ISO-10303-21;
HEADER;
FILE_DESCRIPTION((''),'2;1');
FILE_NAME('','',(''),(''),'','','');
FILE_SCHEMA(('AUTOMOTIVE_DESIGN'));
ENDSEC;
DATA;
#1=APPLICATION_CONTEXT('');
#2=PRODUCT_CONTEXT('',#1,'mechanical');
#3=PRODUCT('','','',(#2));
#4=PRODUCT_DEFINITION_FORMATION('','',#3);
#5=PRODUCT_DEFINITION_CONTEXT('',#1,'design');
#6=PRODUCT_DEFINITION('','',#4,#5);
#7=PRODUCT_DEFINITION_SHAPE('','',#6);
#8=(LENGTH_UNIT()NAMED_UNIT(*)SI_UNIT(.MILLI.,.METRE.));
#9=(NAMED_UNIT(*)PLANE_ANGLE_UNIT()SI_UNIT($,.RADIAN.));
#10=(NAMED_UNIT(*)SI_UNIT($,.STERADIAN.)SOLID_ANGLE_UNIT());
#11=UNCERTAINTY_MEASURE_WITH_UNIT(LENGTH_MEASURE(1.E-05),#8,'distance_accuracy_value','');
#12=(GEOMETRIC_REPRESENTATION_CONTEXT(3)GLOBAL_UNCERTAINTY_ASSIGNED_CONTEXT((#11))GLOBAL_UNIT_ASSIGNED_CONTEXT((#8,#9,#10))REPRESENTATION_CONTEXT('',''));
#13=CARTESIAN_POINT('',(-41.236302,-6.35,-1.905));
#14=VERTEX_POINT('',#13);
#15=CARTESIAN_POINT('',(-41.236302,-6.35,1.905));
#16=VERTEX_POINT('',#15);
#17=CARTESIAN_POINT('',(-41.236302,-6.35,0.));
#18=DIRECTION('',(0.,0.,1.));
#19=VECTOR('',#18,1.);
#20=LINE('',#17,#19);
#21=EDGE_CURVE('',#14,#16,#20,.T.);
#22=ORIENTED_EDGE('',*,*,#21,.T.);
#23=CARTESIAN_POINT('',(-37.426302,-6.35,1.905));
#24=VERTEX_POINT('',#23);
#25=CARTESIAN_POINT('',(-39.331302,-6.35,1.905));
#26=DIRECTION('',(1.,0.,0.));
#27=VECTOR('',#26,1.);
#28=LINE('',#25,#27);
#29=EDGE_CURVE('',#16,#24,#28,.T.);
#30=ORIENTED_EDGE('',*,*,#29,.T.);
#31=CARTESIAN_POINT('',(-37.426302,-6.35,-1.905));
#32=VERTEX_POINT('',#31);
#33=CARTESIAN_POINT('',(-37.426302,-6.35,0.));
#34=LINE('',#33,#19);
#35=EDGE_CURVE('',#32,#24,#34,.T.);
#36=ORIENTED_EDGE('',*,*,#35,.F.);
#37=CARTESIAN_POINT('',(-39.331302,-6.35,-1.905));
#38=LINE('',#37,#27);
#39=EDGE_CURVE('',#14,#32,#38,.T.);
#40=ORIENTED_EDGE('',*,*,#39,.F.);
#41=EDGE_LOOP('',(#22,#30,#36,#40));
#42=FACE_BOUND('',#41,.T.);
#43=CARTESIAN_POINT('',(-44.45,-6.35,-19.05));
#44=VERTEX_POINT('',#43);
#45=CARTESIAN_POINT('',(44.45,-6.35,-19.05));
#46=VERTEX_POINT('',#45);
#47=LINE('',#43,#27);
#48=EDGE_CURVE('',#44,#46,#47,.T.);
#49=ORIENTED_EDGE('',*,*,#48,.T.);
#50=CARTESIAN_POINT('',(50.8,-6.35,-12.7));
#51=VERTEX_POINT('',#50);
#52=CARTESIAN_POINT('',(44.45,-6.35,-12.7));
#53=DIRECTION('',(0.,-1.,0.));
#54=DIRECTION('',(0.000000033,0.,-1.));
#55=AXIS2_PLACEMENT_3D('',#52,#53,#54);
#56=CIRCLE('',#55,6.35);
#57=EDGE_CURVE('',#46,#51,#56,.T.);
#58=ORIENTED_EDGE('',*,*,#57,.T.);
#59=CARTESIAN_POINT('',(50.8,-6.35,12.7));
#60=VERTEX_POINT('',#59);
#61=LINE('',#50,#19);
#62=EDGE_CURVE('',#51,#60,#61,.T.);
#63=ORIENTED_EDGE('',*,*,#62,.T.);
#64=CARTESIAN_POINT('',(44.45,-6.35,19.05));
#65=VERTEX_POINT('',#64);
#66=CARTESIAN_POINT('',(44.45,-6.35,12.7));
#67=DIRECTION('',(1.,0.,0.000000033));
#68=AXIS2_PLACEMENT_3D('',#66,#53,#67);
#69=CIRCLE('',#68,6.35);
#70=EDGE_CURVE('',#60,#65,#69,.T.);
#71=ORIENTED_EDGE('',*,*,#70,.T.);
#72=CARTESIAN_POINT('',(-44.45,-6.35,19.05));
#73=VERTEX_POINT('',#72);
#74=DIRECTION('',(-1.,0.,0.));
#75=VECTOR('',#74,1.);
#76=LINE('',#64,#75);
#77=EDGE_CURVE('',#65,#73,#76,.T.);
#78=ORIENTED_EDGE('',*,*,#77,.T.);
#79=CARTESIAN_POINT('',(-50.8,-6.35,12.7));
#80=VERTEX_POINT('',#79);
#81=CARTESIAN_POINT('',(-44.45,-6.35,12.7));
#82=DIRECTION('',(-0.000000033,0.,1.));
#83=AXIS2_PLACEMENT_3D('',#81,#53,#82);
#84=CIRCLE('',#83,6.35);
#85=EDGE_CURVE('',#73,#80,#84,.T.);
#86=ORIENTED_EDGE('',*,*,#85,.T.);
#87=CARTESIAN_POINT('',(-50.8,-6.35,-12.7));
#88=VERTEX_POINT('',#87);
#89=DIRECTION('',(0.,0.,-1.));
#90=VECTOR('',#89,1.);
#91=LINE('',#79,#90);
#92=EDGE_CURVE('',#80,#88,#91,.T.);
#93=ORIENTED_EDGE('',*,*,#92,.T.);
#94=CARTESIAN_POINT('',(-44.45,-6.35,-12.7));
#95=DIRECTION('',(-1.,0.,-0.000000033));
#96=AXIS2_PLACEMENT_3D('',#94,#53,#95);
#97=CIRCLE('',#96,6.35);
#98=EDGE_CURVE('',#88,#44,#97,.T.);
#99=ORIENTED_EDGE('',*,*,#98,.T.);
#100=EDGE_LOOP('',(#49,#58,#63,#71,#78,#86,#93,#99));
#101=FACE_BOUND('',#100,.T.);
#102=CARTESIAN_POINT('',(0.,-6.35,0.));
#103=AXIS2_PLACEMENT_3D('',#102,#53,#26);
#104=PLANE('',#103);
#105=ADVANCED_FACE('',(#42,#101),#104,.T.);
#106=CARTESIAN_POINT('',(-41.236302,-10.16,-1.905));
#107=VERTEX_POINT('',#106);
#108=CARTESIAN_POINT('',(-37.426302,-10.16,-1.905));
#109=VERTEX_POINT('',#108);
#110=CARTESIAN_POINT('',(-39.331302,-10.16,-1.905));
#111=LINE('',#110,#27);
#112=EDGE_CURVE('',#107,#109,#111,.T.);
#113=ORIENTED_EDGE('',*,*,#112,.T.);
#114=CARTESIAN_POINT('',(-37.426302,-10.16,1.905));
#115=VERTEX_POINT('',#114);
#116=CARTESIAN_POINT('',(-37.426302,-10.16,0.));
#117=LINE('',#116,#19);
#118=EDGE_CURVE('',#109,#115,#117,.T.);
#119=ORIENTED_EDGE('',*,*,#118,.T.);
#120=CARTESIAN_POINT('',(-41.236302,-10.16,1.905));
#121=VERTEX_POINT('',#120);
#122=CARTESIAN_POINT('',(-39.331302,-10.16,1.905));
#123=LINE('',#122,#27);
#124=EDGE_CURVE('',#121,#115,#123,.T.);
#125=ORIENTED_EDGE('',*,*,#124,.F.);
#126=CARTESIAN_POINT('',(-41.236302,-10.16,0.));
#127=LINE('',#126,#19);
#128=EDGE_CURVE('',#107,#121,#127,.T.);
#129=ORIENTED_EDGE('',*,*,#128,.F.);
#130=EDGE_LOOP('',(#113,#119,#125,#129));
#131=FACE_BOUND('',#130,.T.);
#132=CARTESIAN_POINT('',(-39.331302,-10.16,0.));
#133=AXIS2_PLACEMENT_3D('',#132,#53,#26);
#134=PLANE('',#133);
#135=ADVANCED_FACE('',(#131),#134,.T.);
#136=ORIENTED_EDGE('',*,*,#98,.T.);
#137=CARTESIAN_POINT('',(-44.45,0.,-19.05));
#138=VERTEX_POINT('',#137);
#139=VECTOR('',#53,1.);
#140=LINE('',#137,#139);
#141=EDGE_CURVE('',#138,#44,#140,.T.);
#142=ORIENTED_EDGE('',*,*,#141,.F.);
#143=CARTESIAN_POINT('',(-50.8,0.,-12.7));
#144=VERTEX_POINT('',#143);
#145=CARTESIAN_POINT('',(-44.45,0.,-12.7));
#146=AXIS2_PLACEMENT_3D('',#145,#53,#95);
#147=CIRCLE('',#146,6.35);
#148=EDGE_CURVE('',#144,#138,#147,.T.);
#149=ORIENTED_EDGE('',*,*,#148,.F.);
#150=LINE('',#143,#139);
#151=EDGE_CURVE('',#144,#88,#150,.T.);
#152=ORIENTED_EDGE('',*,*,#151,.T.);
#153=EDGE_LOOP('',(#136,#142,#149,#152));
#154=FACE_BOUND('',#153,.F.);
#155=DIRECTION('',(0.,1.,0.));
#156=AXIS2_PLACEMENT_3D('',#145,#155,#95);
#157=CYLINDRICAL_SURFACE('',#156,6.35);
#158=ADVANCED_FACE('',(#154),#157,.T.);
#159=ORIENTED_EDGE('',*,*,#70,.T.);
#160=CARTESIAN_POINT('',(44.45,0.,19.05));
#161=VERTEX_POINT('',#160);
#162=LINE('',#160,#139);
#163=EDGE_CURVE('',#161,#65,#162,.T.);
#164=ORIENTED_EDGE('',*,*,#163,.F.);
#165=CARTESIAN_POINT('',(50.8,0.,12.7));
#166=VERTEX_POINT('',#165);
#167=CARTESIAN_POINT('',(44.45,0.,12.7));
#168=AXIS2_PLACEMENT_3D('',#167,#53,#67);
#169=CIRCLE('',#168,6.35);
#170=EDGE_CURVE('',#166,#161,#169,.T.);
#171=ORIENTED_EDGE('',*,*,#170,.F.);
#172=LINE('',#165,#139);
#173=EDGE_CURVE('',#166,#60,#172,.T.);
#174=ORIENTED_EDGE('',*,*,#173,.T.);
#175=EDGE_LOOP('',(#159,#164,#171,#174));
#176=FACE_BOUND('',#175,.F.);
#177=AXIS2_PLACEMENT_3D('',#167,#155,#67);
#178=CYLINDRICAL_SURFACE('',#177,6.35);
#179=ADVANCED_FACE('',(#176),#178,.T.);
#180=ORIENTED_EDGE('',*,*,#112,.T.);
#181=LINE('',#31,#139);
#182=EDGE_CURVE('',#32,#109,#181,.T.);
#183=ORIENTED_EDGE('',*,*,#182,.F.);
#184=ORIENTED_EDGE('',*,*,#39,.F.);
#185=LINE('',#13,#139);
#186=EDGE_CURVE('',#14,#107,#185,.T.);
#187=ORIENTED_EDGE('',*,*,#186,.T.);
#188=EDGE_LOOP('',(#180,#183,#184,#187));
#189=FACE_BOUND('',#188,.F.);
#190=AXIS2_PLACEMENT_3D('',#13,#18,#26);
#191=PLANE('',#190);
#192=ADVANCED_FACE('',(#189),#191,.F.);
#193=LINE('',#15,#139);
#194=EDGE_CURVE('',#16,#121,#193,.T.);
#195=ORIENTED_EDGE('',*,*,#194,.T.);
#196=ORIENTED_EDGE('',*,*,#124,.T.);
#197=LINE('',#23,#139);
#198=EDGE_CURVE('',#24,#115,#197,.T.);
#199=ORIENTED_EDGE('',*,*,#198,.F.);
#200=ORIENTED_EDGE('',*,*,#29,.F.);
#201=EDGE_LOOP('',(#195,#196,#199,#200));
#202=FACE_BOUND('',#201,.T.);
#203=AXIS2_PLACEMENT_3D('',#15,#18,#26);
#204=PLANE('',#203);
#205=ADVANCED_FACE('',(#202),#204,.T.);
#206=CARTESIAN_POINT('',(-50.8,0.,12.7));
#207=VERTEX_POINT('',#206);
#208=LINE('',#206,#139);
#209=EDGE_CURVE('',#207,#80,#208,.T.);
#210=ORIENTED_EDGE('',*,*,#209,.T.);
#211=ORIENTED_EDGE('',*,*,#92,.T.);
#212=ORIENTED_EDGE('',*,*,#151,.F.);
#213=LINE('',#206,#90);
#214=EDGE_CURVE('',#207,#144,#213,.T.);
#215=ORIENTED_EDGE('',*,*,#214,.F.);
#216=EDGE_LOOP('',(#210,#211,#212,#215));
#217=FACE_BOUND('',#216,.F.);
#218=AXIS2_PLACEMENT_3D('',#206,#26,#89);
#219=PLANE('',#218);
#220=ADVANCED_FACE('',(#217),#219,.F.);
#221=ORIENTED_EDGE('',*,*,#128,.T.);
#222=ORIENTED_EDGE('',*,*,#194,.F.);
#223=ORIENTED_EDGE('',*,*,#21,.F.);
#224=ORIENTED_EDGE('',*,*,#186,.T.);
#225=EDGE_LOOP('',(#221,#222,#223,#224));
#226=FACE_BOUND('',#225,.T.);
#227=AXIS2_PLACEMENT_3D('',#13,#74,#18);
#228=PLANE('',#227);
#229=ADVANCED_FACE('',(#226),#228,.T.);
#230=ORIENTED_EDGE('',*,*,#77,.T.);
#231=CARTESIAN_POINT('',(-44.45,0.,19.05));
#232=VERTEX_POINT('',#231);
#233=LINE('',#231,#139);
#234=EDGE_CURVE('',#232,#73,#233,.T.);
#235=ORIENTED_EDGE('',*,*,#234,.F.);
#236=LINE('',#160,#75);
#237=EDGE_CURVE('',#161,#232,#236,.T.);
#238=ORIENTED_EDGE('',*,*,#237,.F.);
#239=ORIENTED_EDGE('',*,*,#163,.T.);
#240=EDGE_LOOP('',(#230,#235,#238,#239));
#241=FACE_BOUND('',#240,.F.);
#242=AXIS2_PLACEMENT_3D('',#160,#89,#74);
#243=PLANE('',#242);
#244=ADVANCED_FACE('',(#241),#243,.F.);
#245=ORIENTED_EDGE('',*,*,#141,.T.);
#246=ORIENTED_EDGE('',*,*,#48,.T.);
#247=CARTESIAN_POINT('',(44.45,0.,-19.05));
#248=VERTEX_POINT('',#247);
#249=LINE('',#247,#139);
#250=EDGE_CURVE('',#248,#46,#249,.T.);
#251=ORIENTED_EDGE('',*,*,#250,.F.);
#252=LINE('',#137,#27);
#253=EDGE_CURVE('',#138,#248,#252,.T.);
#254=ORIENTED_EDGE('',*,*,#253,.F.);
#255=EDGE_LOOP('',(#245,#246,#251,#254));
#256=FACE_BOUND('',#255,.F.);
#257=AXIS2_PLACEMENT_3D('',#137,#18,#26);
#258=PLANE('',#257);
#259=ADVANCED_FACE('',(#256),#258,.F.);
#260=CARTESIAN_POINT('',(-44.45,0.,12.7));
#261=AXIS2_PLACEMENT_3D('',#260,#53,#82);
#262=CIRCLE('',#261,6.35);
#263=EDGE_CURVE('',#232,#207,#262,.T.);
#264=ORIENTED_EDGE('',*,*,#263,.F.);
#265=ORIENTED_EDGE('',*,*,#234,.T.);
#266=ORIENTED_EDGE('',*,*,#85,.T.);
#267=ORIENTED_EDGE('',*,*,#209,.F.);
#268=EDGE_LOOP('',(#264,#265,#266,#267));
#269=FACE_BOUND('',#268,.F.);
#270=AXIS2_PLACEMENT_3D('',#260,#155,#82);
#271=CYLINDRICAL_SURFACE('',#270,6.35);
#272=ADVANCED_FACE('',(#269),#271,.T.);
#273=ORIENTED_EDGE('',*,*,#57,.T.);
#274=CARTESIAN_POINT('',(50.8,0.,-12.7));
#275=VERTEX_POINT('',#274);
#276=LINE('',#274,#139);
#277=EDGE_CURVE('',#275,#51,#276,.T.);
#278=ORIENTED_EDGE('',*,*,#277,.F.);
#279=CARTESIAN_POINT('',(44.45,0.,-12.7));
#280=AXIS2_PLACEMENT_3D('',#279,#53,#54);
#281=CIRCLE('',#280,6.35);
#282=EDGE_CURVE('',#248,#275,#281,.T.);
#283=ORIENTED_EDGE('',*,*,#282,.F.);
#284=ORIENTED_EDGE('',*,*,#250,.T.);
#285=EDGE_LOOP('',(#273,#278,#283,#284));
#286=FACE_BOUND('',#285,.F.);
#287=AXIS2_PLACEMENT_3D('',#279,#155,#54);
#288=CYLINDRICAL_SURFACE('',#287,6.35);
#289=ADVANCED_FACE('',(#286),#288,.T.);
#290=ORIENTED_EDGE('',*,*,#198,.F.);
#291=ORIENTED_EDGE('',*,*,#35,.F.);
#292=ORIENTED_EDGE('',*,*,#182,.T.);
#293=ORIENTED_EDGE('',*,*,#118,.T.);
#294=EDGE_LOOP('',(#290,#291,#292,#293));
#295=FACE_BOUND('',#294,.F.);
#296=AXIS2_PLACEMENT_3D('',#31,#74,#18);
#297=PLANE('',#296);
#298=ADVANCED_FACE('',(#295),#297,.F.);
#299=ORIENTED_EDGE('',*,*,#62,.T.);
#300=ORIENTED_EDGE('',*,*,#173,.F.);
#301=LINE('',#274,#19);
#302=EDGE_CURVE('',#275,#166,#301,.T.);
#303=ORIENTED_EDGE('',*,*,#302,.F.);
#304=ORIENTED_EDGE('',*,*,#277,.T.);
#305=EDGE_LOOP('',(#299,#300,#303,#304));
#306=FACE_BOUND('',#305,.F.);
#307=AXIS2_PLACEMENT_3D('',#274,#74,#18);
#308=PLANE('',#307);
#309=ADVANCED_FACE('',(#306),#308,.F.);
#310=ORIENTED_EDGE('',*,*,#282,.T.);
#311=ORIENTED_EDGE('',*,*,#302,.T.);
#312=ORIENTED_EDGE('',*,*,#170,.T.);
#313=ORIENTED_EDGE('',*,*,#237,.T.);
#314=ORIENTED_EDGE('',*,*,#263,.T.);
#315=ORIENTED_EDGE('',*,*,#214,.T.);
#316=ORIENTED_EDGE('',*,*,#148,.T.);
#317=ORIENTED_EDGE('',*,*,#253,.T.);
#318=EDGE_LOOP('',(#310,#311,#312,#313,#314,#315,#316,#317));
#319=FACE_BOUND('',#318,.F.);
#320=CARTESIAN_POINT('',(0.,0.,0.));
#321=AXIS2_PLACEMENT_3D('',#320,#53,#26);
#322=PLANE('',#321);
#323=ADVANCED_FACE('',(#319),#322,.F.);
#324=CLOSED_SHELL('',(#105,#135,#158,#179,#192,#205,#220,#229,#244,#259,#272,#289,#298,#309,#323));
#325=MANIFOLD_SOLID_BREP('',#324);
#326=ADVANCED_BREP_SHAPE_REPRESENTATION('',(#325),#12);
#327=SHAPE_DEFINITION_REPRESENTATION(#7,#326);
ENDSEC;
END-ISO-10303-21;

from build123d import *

# Parameters (mm, degrees)
F1_DEPTH = 6.35
F2_W     = 3.81
F2_H     = 3.81
F3_DEPTH = 3.81


with BuildPart() as f1:
    # F0 (on Front) → F1 (new body)
    with BuildSketch(Plane.XZ):
        with BuildLine():
            ThreePointArc((-50.8, -12.7), (-48.940128, -17.190128), (-44.45, -19.05))
            Line((-44.45, -19.05), (44.45, -19.05))
            ThreePointArc((44.45, -19.05), (48.940128, -17.190128), (50.8, -12.7))
            Line((50.8, -12.7), (50.8, 12.7))
            ThreePointArc((50.8, 12.7), (48.940128, 17.190128), (44.45, 19.05))
            Line((44.45, 19.05), (-44.45, 19.05))
            ThreePointArc((-44.45, 19.05), (-48.940128, 17.190128), (-50.8, 12.7))
            Line((-50.8, 12.7), (-50.8, -12.7))
        make_face()
    extrude(amount=F1_DEPTH)

    # F2 (on face) → F3 (join)
    with BuildSketch(Plane.XZ.offset(6.35)):
        with Locations((-39.331302, 0)):
            Rectangle(F2_W, F2_H)
    extrude(amount=F3_DEPTH)


solid = f1.part
